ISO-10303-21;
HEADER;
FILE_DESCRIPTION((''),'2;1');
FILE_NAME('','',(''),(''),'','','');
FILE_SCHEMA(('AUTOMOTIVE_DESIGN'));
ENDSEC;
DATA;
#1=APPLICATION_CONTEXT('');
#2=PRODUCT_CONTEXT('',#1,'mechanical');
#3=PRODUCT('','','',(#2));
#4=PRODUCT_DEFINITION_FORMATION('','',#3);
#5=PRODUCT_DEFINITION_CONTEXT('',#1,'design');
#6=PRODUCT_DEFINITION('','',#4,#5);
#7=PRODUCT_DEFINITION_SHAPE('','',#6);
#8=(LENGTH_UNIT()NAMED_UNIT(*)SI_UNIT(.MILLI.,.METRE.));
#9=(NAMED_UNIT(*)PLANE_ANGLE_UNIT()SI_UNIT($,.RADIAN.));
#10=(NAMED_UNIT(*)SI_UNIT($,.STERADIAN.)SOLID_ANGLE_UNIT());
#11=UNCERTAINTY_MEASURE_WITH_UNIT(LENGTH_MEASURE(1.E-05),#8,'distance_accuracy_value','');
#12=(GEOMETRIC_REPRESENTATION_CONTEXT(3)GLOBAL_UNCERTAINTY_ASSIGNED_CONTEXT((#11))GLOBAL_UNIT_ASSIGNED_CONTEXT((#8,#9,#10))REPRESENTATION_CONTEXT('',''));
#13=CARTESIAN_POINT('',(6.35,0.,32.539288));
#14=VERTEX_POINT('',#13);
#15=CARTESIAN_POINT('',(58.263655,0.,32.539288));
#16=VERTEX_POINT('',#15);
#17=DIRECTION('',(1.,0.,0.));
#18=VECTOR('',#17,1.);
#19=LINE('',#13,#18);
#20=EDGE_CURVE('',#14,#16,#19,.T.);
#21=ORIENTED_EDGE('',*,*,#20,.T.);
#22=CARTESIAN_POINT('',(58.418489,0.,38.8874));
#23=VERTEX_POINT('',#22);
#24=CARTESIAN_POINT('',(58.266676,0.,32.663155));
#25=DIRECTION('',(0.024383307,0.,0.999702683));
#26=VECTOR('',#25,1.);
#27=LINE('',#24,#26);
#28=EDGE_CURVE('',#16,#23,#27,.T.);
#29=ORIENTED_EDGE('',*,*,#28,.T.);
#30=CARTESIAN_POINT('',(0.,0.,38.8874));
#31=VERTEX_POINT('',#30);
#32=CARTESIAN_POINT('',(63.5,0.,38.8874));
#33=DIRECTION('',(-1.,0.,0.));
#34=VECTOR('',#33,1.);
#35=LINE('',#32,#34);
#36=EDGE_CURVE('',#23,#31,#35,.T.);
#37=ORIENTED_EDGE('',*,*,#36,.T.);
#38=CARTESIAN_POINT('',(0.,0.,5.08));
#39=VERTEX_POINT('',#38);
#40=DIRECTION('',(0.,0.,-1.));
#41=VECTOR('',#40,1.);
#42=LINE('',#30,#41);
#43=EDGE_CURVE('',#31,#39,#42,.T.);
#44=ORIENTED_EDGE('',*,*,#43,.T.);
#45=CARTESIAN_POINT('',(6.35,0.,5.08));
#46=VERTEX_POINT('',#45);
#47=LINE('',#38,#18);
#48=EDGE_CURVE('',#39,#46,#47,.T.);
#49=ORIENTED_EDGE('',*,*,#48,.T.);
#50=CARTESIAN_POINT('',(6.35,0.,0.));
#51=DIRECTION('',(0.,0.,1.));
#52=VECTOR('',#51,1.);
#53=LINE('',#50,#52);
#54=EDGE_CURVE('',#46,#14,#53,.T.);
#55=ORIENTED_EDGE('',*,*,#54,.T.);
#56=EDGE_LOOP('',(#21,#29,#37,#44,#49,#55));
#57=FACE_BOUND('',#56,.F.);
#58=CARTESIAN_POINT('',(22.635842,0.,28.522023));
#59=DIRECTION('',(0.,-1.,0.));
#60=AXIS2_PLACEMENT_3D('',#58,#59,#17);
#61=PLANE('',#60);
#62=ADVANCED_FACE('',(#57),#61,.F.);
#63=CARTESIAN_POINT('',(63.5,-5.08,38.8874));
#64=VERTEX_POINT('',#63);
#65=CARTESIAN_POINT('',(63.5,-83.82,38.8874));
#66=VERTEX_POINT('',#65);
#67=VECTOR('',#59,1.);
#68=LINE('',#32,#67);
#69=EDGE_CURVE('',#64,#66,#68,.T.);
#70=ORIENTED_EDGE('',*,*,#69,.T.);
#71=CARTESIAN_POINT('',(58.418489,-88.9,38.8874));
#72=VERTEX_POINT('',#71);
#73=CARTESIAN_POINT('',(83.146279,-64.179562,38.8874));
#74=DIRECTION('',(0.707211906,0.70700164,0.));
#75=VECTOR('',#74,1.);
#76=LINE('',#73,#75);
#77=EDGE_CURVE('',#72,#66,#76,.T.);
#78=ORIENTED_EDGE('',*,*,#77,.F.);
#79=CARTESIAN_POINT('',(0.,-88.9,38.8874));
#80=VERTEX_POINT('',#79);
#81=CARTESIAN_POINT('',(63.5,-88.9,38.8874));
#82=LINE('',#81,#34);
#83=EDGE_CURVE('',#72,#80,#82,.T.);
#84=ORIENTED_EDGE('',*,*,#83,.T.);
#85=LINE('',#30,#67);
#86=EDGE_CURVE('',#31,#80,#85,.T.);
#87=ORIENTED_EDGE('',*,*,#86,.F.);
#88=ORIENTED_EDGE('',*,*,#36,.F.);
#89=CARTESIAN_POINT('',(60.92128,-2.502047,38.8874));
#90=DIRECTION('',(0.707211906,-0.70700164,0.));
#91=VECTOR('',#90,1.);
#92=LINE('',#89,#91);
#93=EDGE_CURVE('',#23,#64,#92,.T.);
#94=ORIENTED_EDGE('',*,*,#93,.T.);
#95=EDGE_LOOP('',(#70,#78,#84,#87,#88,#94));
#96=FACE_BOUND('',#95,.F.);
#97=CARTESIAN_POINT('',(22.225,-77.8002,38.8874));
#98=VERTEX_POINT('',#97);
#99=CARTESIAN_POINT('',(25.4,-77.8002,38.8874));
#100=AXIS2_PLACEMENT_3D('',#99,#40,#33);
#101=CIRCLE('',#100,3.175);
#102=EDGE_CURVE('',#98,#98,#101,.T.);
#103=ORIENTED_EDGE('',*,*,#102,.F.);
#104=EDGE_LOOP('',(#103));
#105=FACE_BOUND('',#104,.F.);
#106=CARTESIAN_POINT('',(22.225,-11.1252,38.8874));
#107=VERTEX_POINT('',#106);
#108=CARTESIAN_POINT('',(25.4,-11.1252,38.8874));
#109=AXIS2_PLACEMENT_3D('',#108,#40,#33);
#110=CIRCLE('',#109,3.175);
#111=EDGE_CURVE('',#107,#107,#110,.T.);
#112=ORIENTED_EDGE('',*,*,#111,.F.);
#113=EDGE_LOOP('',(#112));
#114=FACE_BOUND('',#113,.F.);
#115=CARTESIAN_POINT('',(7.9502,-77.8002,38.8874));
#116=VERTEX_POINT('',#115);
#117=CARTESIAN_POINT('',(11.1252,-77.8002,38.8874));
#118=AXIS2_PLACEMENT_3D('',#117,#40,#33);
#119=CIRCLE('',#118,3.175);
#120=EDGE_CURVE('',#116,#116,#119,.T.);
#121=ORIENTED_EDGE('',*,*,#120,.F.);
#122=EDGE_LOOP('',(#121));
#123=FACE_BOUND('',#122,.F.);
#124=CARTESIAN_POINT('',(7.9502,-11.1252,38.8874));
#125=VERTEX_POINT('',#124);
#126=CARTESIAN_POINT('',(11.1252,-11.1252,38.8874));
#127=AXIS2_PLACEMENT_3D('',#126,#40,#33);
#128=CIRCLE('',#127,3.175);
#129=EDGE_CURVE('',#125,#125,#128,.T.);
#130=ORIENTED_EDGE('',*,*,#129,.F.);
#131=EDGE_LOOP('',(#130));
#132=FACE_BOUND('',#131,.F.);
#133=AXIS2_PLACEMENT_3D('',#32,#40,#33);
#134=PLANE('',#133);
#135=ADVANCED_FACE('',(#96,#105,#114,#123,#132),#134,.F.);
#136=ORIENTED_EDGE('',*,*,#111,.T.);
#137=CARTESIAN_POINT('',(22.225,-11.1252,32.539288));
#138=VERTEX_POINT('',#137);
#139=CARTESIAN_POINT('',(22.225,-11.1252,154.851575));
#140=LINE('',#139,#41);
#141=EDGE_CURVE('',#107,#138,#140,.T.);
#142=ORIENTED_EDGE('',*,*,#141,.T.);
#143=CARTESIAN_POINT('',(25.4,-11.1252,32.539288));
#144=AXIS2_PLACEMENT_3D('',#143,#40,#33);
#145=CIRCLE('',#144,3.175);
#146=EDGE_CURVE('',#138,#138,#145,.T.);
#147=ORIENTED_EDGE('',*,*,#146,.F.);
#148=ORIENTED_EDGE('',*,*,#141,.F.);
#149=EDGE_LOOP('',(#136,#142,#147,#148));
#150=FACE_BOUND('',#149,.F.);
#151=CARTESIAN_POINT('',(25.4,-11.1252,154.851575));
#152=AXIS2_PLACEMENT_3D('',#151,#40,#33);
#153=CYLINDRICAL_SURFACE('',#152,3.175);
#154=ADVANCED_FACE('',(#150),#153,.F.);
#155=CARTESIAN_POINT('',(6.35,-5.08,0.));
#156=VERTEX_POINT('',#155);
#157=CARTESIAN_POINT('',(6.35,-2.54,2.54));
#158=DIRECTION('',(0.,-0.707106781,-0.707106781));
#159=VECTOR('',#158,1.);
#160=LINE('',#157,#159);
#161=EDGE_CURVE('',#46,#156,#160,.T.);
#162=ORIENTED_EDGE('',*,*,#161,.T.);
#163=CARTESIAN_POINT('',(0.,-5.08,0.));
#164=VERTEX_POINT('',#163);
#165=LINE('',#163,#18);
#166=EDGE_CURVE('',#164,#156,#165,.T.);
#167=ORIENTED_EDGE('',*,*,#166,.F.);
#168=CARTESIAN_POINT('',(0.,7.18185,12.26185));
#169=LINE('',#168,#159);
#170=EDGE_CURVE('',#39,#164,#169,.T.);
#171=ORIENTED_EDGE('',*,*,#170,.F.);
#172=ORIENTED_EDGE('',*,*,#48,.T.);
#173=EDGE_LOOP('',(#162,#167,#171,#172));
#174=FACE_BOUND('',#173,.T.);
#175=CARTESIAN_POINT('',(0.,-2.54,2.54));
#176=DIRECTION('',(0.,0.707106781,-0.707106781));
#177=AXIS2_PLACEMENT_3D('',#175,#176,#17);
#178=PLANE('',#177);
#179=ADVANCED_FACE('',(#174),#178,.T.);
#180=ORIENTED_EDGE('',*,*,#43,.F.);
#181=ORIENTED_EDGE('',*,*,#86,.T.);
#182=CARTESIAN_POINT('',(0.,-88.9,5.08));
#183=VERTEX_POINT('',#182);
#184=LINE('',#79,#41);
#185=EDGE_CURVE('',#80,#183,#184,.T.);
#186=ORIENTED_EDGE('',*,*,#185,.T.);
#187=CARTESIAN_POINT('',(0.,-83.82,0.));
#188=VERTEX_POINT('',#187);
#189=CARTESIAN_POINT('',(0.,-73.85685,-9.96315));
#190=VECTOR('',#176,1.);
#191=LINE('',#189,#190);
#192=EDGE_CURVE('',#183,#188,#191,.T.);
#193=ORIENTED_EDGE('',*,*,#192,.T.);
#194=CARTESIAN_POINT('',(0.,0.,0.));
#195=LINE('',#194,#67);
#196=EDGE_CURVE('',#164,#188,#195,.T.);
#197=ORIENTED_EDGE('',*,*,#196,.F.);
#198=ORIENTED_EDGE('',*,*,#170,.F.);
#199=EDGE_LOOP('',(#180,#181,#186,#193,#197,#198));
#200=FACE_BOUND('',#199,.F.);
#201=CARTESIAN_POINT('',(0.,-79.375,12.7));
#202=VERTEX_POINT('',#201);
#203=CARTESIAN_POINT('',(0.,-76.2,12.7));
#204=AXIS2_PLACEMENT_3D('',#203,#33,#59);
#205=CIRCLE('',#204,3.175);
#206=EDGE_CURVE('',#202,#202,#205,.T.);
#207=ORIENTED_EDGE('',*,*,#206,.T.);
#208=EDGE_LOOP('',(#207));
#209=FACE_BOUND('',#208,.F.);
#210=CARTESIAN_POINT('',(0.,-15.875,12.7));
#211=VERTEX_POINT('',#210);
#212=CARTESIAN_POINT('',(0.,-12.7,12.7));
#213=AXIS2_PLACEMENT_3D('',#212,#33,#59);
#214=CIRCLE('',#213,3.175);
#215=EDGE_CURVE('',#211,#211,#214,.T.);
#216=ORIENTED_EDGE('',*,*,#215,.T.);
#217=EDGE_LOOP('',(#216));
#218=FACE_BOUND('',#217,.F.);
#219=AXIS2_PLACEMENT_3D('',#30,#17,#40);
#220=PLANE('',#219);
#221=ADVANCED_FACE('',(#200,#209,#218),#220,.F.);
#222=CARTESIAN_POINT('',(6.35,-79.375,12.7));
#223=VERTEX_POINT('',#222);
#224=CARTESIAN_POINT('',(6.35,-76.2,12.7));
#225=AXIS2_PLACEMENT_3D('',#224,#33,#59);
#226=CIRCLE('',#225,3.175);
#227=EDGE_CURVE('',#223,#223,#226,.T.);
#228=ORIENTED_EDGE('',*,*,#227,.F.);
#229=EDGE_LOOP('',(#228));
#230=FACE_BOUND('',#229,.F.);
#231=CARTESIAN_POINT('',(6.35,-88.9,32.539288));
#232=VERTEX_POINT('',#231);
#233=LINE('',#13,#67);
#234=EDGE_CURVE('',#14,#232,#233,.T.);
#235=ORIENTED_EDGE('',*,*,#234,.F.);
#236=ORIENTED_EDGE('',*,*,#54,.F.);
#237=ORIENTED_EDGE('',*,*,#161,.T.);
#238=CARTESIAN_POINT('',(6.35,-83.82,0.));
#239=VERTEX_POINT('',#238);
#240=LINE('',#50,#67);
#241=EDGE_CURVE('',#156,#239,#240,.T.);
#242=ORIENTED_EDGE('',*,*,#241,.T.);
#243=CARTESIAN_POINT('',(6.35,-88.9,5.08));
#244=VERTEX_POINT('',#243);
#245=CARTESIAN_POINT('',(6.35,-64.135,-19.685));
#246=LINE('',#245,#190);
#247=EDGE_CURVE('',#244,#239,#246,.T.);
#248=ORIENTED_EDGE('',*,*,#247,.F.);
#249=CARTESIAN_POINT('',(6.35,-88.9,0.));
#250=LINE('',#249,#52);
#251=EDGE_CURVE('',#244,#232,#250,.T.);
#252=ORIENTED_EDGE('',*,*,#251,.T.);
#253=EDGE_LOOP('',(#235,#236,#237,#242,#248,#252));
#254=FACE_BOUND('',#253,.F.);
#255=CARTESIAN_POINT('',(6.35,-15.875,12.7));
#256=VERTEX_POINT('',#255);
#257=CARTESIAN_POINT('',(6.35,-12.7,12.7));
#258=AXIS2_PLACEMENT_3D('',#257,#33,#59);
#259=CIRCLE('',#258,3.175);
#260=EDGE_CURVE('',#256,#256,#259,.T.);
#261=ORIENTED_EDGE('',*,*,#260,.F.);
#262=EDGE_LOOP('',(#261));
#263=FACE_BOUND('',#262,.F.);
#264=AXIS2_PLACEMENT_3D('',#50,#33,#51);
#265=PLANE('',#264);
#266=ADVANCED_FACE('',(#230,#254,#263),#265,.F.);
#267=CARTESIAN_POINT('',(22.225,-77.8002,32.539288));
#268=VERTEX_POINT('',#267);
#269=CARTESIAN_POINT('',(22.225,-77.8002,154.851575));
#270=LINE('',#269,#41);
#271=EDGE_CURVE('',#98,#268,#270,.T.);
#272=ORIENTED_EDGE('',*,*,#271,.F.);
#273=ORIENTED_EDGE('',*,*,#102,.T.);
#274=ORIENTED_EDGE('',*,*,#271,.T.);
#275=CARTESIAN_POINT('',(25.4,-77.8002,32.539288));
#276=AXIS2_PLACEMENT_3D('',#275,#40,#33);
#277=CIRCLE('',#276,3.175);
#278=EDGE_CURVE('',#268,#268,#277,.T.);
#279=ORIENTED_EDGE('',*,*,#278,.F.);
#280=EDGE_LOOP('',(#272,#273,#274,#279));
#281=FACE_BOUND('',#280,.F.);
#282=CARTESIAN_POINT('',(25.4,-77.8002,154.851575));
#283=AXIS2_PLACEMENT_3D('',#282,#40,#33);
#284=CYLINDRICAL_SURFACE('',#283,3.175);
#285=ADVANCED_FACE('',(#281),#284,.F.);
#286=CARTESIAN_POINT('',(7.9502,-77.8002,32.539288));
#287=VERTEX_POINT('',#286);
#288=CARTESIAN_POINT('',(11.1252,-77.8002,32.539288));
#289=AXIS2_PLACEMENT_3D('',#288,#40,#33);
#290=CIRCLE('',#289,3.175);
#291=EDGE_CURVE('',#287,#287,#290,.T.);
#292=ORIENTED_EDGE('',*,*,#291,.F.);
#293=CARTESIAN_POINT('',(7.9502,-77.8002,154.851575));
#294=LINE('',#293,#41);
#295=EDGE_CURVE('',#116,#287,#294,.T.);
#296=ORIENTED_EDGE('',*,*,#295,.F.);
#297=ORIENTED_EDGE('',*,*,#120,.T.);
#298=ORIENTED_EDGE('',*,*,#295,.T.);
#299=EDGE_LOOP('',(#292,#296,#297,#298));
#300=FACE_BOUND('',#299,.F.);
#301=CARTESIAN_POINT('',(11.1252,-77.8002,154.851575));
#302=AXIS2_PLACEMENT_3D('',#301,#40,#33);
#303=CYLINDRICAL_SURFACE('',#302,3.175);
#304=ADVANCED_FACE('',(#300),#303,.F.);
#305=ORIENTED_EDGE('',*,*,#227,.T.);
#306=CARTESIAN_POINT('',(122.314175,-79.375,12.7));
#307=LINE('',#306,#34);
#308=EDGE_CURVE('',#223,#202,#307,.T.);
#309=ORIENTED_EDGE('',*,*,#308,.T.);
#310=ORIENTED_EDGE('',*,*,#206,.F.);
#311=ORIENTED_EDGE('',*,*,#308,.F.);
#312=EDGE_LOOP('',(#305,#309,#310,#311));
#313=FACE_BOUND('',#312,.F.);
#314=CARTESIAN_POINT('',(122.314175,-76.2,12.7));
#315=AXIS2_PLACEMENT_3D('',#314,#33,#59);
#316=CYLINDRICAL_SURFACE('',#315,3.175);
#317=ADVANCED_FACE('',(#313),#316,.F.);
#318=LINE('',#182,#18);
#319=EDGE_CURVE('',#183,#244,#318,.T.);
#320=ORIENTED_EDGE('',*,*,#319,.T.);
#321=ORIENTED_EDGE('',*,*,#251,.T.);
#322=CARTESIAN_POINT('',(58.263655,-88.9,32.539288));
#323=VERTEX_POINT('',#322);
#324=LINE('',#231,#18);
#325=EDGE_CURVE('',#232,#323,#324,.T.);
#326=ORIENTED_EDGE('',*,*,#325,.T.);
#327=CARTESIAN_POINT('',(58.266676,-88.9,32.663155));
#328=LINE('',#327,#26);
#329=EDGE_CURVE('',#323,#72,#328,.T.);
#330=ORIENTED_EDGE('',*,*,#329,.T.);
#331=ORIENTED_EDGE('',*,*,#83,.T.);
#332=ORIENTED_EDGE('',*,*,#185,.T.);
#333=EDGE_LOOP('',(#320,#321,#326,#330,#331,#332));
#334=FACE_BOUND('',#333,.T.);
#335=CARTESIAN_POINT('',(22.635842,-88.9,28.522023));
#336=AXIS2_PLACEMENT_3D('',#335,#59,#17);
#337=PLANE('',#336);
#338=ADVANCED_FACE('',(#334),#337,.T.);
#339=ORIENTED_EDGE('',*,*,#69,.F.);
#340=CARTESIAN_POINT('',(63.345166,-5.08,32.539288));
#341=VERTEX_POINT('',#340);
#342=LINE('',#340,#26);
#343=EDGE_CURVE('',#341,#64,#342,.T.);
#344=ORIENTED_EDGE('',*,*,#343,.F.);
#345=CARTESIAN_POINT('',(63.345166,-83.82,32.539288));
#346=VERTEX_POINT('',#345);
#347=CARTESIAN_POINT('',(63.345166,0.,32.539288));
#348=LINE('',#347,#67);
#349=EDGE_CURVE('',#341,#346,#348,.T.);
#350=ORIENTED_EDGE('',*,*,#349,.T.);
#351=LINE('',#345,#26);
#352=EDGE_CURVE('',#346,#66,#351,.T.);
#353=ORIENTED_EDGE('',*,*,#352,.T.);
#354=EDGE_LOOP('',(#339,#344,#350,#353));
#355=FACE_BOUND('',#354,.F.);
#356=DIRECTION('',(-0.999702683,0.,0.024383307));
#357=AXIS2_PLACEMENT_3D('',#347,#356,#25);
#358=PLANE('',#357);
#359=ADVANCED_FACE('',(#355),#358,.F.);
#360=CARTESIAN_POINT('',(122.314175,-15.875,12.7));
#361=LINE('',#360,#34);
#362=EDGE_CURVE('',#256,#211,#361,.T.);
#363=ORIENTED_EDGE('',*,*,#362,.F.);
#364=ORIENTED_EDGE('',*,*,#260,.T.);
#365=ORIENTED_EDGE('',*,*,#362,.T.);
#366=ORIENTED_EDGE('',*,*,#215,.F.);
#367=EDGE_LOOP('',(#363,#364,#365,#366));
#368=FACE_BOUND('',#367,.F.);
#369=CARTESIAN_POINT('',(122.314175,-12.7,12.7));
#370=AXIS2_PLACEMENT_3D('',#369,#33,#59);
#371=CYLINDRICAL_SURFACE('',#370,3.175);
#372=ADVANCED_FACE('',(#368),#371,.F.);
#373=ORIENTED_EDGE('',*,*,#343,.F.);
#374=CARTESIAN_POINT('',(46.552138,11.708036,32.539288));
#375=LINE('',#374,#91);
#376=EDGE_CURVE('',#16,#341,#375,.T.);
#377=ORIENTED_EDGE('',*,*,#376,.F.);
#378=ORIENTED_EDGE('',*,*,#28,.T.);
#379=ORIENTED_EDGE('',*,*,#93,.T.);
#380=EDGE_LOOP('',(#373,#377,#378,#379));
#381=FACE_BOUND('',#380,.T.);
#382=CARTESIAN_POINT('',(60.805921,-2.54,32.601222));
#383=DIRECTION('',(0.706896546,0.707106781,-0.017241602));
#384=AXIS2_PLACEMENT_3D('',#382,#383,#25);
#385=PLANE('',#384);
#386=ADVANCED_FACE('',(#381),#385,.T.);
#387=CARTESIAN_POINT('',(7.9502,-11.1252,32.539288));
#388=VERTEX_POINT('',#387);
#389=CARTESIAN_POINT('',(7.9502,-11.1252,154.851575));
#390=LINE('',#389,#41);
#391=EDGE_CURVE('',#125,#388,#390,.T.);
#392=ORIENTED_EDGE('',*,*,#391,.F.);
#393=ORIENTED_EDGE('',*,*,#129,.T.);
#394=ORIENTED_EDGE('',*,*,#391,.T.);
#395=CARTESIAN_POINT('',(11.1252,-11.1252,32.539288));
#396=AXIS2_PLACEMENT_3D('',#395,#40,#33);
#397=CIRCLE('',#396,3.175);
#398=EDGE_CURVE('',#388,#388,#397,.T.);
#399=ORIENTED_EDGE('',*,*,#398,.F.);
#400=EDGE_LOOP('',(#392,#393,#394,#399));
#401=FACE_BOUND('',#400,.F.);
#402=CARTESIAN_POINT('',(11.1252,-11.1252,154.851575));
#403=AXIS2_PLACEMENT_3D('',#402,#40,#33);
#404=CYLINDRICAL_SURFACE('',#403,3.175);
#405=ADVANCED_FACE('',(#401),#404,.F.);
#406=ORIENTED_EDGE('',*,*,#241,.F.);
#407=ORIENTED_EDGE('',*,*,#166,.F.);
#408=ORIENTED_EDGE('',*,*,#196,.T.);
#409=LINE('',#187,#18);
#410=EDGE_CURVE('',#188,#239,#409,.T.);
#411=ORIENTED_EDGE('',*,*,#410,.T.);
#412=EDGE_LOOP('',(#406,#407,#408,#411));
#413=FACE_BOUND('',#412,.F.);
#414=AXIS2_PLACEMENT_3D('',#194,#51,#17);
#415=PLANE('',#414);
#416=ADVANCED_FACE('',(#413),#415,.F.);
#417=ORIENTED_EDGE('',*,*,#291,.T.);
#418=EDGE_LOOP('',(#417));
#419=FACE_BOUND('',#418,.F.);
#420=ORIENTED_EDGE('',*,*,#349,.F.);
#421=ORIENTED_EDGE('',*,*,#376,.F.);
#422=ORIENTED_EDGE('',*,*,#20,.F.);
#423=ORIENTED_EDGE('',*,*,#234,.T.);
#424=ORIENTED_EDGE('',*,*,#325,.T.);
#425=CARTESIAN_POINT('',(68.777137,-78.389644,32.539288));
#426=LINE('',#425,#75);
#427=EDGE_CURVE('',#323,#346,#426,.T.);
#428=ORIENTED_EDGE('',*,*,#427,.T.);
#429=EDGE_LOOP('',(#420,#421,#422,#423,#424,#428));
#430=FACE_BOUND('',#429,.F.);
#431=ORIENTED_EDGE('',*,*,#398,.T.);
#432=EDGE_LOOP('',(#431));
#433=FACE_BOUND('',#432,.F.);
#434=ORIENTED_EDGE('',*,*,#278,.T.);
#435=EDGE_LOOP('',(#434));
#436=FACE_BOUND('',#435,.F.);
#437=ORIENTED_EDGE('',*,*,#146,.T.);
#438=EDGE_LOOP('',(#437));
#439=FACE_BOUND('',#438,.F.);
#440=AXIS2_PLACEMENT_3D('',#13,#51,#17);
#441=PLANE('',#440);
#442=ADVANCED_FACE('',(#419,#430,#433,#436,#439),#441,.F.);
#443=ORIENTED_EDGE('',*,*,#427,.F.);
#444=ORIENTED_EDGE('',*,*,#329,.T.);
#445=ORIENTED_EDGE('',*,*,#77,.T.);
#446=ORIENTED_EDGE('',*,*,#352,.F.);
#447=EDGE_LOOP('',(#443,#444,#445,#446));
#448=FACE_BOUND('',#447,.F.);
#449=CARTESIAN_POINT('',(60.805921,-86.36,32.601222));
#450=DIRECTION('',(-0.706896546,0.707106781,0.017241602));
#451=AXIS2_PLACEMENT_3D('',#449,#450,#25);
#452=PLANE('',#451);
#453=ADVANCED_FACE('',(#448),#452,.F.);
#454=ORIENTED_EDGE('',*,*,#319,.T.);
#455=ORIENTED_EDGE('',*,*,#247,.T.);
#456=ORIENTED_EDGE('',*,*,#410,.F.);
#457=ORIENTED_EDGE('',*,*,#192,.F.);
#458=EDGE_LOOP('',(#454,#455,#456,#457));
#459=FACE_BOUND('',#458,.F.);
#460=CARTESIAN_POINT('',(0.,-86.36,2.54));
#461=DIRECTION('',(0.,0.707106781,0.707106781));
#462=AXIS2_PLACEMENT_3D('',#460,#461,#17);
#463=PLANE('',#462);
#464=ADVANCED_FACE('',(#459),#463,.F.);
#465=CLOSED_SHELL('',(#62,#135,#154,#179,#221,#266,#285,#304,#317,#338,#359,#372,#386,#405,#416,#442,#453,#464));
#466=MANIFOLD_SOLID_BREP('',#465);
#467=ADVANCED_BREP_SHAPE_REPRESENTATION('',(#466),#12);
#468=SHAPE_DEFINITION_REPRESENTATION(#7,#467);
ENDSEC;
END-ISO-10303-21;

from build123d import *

# Parameters (mm, degrees)
F1_DEPTH = 88.9
F3_D     = 6.35
F4_SIZE  = 5.08
F6_D     = 6.35


with BuildPart() as f1:
    # F0 (on Front) → F1 (new body)
    with BuildSketch(Plane.XZ):
        Polygon((0, 38.8874), (0, 0), (6.35, 0), (6.35, 32.539288), (63.345166, 32.539288), (63.5, 38.8874), align=None)
    extrude(amount=F1_DEPTH)

    # F3 (through all)
    with Locations(Plane.YZ.offset(6.35)):
        with Locations((-76.2, 12.7), (-12.7, 12.7)):
            Hole(F3_D / 2)

    # F4
    f4_edges = [f1.edges().sort_by_distance(p)[0] for p in [
        (63.422583, 0, 35.713344),
        (63.422583, -88.9, 35.713344),
        (3.175, 0, 0),
        (3.175, -88.9, 0),
    ]]
    chamfer(f4_edges, length=F4_SIZE)

    # F6 (through all)
    with Locations(Plane.XY.offset(38.8874)):
        with Locations((11.1252, -11.1252), (25.4, -11.1252), (25.4, -77.8002), (11.1252, -77.8002)):
            Hole(F6_D / 2)


solid = f1.part
